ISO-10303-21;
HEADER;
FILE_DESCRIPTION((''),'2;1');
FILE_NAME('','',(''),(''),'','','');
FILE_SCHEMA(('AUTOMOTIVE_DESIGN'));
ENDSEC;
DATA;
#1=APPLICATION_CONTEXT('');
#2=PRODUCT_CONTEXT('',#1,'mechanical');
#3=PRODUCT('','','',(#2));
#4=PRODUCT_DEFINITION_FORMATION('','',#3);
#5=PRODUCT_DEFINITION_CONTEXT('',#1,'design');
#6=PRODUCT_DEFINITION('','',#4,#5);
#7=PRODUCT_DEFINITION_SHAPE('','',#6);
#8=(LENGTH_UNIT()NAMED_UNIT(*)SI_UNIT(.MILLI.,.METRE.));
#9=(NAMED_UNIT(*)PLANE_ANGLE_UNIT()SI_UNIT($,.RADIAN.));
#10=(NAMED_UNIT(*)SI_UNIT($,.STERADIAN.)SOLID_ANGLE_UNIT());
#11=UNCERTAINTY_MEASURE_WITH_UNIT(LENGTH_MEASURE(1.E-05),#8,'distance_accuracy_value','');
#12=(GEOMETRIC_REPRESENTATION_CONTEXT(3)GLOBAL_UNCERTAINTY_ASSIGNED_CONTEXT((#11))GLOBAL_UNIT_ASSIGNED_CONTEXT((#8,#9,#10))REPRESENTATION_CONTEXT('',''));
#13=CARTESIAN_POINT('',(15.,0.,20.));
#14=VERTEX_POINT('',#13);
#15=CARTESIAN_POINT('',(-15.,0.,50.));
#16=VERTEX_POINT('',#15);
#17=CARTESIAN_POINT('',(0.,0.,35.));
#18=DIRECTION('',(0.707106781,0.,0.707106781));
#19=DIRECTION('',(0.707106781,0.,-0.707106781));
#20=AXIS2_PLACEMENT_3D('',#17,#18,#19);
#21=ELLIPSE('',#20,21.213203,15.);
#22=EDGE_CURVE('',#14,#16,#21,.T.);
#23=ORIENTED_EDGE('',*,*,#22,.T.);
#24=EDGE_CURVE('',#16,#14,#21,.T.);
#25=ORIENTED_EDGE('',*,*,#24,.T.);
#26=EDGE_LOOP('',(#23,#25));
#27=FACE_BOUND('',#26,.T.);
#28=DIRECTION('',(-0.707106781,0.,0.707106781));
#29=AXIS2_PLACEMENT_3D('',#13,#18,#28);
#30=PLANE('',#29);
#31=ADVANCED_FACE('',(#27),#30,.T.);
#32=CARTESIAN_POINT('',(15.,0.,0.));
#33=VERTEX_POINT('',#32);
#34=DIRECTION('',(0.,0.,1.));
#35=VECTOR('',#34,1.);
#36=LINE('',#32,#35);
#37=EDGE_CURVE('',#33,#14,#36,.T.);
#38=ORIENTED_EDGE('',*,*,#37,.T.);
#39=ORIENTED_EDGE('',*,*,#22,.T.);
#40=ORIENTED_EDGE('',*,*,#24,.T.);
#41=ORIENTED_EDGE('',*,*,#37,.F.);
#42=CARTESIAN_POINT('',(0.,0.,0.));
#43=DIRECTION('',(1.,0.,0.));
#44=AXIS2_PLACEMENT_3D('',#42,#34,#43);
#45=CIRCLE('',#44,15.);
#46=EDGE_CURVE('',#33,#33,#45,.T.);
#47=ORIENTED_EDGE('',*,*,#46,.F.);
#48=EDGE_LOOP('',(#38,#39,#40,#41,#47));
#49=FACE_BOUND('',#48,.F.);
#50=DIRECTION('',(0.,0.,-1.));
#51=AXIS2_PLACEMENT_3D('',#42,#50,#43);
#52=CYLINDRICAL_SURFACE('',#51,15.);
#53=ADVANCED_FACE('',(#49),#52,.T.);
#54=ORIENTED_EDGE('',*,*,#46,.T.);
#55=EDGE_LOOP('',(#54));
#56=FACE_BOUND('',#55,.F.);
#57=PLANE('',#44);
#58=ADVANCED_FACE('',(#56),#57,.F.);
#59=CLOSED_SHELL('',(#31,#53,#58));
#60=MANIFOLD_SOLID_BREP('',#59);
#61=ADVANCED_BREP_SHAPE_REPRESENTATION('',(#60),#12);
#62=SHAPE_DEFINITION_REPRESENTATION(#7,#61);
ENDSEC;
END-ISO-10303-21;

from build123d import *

# Parameters (mm, degrees)
F0_R     = 15
F1_DEPTH = 50
F3_DEPTH = 25


with BuildPart() as f1:
    # F0 (on Top) → F1 (new body)
    with BuildSketch(Plane.XY):
        Circle(F0_R)
    extrude(amount=F1_DEPTH)

    # F2 (on Front) → F3 (intersect, symmetric)
    with BuildSketch(Plane.XZ):
        Polygon((-15, 50), (-15, 0), (15, 0), (15, 20), align=None)
    extrude(amount=F3_DEPTH, both=True, mode=Mode.INTERSECT)


solid = f1.part
